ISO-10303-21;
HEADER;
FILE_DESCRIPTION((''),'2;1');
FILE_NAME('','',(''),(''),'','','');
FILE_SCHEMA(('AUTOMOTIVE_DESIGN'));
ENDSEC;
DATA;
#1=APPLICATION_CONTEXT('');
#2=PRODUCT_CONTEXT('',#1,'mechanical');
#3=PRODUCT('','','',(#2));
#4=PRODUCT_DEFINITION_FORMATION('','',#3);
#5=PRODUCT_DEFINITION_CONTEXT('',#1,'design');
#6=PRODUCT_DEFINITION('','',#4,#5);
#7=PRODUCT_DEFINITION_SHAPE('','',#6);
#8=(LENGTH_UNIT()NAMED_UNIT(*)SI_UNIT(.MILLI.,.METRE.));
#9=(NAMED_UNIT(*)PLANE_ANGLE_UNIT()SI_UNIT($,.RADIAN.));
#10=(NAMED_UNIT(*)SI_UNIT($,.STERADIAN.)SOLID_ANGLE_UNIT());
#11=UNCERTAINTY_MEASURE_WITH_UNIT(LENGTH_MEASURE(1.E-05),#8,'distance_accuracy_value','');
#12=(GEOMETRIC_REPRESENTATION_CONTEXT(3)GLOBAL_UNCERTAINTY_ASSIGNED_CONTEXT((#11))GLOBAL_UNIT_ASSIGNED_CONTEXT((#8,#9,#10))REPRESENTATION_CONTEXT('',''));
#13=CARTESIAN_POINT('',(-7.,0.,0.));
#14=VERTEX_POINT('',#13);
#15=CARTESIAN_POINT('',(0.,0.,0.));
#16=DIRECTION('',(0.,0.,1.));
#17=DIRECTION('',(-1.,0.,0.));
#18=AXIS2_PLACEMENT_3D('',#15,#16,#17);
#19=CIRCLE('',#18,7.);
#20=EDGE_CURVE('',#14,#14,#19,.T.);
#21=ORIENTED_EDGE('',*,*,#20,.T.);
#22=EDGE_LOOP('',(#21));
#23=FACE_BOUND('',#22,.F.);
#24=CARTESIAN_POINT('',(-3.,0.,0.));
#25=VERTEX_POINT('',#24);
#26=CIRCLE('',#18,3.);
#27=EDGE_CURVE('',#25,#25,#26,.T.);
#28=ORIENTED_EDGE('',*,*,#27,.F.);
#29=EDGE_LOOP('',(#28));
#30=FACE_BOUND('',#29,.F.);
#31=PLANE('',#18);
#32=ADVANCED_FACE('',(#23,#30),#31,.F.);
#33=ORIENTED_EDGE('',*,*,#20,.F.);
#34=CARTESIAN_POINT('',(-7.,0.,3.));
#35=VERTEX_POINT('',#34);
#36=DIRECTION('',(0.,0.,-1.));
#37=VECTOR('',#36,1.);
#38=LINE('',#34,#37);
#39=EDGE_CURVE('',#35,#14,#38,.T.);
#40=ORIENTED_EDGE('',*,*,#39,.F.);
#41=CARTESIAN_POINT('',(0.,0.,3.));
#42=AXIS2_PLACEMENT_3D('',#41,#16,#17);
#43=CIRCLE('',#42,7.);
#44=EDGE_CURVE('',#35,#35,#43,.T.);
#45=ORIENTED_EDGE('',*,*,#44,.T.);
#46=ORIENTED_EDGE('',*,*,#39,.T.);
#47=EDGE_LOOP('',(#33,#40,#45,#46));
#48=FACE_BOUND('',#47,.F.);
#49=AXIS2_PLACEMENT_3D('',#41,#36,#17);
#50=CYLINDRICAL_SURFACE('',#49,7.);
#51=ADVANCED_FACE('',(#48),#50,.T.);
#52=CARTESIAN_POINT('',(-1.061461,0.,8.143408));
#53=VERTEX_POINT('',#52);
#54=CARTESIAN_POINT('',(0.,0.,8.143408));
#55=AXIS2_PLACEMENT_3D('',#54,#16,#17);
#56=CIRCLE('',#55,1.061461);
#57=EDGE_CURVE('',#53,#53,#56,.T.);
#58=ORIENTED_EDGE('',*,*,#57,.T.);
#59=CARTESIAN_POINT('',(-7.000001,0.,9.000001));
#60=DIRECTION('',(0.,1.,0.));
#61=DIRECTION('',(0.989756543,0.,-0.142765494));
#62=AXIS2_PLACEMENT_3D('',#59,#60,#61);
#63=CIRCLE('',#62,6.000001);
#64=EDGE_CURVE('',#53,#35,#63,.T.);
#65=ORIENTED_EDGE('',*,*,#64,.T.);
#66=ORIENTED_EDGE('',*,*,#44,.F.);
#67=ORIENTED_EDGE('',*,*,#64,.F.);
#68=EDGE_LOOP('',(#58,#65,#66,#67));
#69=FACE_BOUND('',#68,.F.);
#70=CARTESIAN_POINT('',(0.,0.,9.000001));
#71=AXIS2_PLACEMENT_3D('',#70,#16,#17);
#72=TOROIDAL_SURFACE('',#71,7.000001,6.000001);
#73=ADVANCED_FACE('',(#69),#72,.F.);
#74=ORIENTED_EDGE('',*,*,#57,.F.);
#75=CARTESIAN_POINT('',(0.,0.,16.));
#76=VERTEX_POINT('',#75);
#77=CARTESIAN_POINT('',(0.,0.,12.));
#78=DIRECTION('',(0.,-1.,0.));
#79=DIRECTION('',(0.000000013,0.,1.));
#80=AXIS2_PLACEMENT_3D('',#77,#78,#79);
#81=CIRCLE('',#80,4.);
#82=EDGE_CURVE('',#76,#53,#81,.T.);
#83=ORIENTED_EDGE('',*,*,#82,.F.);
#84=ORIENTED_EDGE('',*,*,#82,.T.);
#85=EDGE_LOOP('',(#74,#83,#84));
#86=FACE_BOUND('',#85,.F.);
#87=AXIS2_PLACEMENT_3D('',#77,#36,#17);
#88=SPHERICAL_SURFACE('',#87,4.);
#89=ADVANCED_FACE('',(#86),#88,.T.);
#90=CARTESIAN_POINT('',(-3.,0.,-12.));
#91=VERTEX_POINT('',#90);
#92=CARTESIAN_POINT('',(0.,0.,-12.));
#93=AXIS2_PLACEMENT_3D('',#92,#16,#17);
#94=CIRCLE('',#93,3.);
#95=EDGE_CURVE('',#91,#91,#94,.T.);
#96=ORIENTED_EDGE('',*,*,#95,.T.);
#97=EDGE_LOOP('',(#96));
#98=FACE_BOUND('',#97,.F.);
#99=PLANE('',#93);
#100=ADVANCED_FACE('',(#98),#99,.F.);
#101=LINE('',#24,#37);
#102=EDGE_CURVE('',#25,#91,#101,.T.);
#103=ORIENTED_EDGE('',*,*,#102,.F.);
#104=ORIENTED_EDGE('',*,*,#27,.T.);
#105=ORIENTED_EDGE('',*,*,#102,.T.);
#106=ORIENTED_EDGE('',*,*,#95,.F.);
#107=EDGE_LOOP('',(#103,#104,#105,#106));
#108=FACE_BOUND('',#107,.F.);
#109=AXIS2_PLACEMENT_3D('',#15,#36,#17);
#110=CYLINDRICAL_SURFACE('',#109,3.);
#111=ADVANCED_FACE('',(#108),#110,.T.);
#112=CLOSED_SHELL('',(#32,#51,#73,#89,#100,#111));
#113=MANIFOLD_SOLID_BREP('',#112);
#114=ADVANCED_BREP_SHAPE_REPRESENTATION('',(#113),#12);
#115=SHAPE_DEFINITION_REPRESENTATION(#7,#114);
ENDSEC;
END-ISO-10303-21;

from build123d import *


with BuildPart() as f1:
    # F0 (on Front) → F1 (revolve)
    with BuildSketch(Plane.XZ):
        with BuildLine():
            Line((-7, 3), (-7, 0))
            Line((-7, 0), (-3, 0))
            Line((-3, 0), (-3, -12))
            Line((-3, -12), (0, -12))
            Line((0, -12), (0, 16))
            ThreePointArc((0, 16), (-3.963986, 12.535552), (-1.061461, 8.143408))
            ThreePointArc((-1.061461, 8.143408), (-3.071868, 4.464609), (-7, 3))
        make_face()
    revolve(axis=Axis((0, 0, -0.169224), (0, 0, 1)))


solid = f1.part
